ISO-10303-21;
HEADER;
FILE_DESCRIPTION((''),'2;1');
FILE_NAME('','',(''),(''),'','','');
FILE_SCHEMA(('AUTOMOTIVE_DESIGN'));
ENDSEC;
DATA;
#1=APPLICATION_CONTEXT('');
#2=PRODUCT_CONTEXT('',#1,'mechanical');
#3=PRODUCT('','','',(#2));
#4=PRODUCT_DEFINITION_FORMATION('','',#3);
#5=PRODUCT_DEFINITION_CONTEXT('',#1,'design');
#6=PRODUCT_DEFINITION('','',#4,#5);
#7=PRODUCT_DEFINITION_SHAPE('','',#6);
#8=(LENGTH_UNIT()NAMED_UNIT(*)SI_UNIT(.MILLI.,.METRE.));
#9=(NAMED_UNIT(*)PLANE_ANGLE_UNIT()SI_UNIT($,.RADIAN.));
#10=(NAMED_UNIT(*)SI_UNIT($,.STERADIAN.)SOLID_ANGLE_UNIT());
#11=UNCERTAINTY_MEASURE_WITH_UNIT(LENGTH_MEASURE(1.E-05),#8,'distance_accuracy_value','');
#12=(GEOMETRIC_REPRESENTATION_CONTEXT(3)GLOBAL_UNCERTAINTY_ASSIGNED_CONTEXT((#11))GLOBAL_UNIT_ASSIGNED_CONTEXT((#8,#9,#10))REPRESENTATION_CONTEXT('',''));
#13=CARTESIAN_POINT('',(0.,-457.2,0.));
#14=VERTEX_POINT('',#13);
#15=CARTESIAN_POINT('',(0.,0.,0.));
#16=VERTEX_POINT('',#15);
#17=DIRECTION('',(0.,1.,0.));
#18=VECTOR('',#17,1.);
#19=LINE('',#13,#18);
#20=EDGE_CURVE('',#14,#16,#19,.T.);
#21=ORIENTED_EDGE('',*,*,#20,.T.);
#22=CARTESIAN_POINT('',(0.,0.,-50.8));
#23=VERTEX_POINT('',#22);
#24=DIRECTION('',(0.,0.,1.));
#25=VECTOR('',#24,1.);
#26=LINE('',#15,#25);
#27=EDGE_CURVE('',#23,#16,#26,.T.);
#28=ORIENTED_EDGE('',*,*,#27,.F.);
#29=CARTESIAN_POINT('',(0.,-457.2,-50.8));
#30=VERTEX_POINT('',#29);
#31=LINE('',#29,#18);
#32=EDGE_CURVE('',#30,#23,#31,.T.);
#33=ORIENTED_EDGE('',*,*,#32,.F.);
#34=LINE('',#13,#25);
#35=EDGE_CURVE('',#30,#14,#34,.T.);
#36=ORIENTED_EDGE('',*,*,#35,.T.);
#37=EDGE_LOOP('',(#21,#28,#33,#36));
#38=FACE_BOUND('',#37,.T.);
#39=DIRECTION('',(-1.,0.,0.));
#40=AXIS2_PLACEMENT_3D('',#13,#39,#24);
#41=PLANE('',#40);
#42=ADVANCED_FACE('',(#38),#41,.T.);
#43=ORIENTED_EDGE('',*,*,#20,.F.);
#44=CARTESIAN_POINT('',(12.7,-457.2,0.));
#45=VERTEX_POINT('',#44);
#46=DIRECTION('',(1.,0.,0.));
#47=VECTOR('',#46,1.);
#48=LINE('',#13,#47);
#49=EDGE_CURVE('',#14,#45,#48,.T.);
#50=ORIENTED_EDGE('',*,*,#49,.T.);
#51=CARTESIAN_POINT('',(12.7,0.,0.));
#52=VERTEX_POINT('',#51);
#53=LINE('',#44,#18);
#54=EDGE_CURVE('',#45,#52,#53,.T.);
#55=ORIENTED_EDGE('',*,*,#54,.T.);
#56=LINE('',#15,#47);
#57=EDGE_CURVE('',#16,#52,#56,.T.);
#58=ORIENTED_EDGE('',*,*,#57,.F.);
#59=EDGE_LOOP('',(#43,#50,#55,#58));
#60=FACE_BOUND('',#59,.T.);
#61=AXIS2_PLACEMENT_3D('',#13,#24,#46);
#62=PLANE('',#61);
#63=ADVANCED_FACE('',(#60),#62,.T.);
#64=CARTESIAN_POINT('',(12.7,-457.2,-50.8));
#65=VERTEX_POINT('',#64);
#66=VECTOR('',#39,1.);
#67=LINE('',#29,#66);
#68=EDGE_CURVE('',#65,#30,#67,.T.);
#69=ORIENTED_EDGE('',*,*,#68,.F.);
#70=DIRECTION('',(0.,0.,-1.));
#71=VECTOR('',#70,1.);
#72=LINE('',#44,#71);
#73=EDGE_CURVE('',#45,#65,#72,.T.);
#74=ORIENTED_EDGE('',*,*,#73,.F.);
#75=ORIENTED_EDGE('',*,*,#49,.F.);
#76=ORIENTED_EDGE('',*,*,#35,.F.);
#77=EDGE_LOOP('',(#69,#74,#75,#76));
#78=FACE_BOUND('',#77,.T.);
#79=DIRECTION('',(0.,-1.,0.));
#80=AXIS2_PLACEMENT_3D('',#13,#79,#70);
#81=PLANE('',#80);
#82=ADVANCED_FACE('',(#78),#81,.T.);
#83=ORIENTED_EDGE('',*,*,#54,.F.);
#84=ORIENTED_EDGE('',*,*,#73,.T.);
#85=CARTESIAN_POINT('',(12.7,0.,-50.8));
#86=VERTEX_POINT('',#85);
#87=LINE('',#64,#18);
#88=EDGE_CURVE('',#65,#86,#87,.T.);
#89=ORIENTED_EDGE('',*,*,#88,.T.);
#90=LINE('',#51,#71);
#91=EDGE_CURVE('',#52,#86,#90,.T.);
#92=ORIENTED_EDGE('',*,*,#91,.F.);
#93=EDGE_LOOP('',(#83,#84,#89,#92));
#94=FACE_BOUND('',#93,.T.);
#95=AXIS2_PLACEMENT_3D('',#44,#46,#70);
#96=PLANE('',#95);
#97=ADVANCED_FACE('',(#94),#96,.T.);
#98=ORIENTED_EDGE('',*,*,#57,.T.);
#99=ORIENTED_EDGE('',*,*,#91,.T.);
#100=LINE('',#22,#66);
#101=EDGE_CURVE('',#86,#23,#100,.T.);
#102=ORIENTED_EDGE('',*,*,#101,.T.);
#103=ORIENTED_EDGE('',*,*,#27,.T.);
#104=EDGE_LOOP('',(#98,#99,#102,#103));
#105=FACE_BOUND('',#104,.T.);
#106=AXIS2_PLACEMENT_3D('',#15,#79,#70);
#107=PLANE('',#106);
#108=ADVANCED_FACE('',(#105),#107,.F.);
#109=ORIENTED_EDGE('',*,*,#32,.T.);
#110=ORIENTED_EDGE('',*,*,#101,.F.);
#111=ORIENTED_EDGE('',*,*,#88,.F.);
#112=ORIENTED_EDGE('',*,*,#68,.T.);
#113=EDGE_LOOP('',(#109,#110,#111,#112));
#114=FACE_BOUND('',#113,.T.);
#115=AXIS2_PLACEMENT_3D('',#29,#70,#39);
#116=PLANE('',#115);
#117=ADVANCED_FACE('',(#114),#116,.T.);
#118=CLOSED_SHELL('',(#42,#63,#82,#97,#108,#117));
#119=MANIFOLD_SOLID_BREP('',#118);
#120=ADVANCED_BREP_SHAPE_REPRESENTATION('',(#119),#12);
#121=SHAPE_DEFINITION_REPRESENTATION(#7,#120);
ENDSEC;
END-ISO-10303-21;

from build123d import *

# Parameters (mm, degrees)
SKETCH1_W           = 12.7
SKETCH1_H           = 50.8
BOSS_EXTRUDE1_DEPTH = 457.2


with BuildPart() as part:
    # Sketch1 → Boss-Extrude1 (new body)
    with BuildSketch(Plane(origin=(0, 0, 0), x_dir=(1, 0, 0), z_dir=(0, 1, 0))):
        with Locations((6.35, 25.4)):
            Rectangle(SKETCH1_W, SKETCH1_H)
    extrude(amount=-BOSS_EXTRUDE1_DEPTH)


solid = part.part
